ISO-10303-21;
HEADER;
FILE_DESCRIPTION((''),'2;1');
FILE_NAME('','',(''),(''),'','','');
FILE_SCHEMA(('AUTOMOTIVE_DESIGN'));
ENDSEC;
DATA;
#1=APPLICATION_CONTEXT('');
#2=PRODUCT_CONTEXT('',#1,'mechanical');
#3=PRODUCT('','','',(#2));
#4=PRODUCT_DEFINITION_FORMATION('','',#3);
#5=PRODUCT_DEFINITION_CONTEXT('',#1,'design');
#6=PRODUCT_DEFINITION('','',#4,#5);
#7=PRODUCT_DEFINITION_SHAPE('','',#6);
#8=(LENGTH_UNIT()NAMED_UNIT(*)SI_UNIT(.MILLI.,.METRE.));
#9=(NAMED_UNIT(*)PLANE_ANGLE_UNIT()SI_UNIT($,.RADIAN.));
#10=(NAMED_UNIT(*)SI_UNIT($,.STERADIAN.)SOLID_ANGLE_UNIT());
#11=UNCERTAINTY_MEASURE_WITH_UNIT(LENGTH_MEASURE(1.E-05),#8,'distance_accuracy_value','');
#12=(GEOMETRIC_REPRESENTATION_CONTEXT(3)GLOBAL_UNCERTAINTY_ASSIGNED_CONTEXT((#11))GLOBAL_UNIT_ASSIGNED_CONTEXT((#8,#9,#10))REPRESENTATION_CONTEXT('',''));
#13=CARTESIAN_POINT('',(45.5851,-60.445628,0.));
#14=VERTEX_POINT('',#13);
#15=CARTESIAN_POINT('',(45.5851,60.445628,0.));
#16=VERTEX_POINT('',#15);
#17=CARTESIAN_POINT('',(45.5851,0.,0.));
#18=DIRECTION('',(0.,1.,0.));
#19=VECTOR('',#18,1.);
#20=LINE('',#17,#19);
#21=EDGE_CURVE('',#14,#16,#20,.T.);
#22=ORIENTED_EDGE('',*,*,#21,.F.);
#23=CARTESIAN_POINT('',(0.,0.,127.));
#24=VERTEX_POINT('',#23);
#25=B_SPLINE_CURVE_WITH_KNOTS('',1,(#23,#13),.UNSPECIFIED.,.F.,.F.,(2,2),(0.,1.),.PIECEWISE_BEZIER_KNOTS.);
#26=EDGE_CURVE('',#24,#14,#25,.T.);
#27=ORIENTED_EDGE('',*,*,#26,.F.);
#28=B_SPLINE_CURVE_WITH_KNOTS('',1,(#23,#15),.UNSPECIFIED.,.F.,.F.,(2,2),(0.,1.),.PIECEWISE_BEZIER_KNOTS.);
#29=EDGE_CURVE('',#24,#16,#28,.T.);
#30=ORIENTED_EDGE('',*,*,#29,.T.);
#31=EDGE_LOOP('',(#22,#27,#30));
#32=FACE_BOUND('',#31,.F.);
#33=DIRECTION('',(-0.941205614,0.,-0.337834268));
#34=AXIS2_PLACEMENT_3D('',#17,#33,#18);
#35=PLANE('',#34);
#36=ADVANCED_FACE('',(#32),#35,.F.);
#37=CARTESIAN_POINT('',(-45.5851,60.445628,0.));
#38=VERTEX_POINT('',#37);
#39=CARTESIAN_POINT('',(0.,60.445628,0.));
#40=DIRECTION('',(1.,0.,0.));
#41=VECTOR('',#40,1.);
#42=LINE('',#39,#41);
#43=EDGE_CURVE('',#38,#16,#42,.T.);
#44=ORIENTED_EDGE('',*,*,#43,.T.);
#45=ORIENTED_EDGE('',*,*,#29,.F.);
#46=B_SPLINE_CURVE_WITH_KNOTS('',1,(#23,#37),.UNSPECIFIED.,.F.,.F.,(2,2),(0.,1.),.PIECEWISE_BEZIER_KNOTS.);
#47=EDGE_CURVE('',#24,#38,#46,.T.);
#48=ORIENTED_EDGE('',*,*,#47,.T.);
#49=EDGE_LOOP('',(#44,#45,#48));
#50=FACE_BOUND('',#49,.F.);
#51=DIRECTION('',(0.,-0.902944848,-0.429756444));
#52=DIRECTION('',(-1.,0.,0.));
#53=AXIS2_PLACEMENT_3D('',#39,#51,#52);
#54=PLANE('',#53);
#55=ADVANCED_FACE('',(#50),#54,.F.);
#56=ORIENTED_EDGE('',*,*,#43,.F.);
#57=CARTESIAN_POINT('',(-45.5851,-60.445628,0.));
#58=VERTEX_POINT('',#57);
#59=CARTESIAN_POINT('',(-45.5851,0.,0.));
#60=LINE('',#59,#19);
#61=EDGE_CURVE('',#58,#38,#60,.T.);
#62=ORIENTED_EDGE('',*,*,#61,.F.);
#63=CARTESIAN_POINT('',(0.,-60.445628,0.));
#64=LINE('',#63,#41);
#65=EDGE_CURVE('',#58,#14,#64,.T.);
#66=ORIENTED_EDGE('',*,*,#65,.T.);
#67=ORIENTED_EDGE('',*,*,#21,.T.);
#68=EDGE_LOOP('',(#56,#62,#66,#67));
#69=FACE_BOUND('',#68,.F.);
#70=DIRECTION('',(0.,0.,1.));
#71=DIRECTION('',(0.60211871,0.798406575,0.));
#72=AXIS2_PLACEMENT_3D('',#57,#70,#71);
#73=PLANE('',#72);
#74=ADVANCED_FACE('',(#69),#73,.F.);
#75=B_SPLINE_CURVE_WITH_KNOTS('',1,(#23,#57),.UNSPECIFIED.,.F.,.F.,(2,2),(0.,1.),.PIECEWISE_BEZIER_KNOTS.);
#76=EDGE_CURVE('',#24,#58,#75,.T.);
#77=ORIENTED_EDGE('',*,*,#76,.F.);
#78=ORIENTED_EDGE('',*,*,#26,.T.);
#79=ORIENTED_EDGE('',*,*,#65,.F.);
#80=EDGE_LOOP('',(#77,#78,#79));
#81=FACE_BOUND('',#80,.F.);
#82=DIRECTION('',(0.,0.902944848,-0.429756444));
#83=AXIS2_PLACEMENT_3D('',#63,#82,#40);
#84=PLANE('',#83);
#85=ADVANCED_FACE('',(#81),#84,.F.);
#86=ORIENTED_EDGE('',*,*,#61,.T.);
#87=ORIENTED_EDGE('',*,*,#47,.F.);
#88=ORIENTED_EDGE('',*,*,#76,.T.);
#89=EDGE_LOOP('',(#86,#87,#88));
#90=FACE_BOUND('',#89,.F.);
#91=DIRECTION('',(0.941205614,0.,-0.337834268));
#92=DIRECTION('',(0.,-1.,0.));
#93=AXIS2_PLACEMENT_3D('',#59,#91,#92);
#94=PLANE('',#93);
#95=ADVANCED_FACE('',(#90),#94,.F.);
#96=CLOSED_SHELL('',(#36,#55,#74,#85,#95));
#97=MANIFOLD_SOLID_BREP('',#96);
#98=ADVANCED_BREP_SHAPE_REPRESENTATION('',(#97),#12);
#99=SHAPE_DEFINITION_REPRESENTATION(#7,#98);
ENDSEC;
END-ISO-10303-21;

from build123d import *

# Parameters (mm, degrees)
F0_W = 91.1702
F0_H = 120.891256


with BuildPart() as f3:
    # F0 (on Top) → F3 section 0
    with BuildSketch(Plane.XY, mode=Mode.PRIVATE) as f3_s0:
        Rectangle(F0_W, F0_H)
    loft([Vertex(0, 0, 127), f3_s0.sketch])


solid = f3.part
